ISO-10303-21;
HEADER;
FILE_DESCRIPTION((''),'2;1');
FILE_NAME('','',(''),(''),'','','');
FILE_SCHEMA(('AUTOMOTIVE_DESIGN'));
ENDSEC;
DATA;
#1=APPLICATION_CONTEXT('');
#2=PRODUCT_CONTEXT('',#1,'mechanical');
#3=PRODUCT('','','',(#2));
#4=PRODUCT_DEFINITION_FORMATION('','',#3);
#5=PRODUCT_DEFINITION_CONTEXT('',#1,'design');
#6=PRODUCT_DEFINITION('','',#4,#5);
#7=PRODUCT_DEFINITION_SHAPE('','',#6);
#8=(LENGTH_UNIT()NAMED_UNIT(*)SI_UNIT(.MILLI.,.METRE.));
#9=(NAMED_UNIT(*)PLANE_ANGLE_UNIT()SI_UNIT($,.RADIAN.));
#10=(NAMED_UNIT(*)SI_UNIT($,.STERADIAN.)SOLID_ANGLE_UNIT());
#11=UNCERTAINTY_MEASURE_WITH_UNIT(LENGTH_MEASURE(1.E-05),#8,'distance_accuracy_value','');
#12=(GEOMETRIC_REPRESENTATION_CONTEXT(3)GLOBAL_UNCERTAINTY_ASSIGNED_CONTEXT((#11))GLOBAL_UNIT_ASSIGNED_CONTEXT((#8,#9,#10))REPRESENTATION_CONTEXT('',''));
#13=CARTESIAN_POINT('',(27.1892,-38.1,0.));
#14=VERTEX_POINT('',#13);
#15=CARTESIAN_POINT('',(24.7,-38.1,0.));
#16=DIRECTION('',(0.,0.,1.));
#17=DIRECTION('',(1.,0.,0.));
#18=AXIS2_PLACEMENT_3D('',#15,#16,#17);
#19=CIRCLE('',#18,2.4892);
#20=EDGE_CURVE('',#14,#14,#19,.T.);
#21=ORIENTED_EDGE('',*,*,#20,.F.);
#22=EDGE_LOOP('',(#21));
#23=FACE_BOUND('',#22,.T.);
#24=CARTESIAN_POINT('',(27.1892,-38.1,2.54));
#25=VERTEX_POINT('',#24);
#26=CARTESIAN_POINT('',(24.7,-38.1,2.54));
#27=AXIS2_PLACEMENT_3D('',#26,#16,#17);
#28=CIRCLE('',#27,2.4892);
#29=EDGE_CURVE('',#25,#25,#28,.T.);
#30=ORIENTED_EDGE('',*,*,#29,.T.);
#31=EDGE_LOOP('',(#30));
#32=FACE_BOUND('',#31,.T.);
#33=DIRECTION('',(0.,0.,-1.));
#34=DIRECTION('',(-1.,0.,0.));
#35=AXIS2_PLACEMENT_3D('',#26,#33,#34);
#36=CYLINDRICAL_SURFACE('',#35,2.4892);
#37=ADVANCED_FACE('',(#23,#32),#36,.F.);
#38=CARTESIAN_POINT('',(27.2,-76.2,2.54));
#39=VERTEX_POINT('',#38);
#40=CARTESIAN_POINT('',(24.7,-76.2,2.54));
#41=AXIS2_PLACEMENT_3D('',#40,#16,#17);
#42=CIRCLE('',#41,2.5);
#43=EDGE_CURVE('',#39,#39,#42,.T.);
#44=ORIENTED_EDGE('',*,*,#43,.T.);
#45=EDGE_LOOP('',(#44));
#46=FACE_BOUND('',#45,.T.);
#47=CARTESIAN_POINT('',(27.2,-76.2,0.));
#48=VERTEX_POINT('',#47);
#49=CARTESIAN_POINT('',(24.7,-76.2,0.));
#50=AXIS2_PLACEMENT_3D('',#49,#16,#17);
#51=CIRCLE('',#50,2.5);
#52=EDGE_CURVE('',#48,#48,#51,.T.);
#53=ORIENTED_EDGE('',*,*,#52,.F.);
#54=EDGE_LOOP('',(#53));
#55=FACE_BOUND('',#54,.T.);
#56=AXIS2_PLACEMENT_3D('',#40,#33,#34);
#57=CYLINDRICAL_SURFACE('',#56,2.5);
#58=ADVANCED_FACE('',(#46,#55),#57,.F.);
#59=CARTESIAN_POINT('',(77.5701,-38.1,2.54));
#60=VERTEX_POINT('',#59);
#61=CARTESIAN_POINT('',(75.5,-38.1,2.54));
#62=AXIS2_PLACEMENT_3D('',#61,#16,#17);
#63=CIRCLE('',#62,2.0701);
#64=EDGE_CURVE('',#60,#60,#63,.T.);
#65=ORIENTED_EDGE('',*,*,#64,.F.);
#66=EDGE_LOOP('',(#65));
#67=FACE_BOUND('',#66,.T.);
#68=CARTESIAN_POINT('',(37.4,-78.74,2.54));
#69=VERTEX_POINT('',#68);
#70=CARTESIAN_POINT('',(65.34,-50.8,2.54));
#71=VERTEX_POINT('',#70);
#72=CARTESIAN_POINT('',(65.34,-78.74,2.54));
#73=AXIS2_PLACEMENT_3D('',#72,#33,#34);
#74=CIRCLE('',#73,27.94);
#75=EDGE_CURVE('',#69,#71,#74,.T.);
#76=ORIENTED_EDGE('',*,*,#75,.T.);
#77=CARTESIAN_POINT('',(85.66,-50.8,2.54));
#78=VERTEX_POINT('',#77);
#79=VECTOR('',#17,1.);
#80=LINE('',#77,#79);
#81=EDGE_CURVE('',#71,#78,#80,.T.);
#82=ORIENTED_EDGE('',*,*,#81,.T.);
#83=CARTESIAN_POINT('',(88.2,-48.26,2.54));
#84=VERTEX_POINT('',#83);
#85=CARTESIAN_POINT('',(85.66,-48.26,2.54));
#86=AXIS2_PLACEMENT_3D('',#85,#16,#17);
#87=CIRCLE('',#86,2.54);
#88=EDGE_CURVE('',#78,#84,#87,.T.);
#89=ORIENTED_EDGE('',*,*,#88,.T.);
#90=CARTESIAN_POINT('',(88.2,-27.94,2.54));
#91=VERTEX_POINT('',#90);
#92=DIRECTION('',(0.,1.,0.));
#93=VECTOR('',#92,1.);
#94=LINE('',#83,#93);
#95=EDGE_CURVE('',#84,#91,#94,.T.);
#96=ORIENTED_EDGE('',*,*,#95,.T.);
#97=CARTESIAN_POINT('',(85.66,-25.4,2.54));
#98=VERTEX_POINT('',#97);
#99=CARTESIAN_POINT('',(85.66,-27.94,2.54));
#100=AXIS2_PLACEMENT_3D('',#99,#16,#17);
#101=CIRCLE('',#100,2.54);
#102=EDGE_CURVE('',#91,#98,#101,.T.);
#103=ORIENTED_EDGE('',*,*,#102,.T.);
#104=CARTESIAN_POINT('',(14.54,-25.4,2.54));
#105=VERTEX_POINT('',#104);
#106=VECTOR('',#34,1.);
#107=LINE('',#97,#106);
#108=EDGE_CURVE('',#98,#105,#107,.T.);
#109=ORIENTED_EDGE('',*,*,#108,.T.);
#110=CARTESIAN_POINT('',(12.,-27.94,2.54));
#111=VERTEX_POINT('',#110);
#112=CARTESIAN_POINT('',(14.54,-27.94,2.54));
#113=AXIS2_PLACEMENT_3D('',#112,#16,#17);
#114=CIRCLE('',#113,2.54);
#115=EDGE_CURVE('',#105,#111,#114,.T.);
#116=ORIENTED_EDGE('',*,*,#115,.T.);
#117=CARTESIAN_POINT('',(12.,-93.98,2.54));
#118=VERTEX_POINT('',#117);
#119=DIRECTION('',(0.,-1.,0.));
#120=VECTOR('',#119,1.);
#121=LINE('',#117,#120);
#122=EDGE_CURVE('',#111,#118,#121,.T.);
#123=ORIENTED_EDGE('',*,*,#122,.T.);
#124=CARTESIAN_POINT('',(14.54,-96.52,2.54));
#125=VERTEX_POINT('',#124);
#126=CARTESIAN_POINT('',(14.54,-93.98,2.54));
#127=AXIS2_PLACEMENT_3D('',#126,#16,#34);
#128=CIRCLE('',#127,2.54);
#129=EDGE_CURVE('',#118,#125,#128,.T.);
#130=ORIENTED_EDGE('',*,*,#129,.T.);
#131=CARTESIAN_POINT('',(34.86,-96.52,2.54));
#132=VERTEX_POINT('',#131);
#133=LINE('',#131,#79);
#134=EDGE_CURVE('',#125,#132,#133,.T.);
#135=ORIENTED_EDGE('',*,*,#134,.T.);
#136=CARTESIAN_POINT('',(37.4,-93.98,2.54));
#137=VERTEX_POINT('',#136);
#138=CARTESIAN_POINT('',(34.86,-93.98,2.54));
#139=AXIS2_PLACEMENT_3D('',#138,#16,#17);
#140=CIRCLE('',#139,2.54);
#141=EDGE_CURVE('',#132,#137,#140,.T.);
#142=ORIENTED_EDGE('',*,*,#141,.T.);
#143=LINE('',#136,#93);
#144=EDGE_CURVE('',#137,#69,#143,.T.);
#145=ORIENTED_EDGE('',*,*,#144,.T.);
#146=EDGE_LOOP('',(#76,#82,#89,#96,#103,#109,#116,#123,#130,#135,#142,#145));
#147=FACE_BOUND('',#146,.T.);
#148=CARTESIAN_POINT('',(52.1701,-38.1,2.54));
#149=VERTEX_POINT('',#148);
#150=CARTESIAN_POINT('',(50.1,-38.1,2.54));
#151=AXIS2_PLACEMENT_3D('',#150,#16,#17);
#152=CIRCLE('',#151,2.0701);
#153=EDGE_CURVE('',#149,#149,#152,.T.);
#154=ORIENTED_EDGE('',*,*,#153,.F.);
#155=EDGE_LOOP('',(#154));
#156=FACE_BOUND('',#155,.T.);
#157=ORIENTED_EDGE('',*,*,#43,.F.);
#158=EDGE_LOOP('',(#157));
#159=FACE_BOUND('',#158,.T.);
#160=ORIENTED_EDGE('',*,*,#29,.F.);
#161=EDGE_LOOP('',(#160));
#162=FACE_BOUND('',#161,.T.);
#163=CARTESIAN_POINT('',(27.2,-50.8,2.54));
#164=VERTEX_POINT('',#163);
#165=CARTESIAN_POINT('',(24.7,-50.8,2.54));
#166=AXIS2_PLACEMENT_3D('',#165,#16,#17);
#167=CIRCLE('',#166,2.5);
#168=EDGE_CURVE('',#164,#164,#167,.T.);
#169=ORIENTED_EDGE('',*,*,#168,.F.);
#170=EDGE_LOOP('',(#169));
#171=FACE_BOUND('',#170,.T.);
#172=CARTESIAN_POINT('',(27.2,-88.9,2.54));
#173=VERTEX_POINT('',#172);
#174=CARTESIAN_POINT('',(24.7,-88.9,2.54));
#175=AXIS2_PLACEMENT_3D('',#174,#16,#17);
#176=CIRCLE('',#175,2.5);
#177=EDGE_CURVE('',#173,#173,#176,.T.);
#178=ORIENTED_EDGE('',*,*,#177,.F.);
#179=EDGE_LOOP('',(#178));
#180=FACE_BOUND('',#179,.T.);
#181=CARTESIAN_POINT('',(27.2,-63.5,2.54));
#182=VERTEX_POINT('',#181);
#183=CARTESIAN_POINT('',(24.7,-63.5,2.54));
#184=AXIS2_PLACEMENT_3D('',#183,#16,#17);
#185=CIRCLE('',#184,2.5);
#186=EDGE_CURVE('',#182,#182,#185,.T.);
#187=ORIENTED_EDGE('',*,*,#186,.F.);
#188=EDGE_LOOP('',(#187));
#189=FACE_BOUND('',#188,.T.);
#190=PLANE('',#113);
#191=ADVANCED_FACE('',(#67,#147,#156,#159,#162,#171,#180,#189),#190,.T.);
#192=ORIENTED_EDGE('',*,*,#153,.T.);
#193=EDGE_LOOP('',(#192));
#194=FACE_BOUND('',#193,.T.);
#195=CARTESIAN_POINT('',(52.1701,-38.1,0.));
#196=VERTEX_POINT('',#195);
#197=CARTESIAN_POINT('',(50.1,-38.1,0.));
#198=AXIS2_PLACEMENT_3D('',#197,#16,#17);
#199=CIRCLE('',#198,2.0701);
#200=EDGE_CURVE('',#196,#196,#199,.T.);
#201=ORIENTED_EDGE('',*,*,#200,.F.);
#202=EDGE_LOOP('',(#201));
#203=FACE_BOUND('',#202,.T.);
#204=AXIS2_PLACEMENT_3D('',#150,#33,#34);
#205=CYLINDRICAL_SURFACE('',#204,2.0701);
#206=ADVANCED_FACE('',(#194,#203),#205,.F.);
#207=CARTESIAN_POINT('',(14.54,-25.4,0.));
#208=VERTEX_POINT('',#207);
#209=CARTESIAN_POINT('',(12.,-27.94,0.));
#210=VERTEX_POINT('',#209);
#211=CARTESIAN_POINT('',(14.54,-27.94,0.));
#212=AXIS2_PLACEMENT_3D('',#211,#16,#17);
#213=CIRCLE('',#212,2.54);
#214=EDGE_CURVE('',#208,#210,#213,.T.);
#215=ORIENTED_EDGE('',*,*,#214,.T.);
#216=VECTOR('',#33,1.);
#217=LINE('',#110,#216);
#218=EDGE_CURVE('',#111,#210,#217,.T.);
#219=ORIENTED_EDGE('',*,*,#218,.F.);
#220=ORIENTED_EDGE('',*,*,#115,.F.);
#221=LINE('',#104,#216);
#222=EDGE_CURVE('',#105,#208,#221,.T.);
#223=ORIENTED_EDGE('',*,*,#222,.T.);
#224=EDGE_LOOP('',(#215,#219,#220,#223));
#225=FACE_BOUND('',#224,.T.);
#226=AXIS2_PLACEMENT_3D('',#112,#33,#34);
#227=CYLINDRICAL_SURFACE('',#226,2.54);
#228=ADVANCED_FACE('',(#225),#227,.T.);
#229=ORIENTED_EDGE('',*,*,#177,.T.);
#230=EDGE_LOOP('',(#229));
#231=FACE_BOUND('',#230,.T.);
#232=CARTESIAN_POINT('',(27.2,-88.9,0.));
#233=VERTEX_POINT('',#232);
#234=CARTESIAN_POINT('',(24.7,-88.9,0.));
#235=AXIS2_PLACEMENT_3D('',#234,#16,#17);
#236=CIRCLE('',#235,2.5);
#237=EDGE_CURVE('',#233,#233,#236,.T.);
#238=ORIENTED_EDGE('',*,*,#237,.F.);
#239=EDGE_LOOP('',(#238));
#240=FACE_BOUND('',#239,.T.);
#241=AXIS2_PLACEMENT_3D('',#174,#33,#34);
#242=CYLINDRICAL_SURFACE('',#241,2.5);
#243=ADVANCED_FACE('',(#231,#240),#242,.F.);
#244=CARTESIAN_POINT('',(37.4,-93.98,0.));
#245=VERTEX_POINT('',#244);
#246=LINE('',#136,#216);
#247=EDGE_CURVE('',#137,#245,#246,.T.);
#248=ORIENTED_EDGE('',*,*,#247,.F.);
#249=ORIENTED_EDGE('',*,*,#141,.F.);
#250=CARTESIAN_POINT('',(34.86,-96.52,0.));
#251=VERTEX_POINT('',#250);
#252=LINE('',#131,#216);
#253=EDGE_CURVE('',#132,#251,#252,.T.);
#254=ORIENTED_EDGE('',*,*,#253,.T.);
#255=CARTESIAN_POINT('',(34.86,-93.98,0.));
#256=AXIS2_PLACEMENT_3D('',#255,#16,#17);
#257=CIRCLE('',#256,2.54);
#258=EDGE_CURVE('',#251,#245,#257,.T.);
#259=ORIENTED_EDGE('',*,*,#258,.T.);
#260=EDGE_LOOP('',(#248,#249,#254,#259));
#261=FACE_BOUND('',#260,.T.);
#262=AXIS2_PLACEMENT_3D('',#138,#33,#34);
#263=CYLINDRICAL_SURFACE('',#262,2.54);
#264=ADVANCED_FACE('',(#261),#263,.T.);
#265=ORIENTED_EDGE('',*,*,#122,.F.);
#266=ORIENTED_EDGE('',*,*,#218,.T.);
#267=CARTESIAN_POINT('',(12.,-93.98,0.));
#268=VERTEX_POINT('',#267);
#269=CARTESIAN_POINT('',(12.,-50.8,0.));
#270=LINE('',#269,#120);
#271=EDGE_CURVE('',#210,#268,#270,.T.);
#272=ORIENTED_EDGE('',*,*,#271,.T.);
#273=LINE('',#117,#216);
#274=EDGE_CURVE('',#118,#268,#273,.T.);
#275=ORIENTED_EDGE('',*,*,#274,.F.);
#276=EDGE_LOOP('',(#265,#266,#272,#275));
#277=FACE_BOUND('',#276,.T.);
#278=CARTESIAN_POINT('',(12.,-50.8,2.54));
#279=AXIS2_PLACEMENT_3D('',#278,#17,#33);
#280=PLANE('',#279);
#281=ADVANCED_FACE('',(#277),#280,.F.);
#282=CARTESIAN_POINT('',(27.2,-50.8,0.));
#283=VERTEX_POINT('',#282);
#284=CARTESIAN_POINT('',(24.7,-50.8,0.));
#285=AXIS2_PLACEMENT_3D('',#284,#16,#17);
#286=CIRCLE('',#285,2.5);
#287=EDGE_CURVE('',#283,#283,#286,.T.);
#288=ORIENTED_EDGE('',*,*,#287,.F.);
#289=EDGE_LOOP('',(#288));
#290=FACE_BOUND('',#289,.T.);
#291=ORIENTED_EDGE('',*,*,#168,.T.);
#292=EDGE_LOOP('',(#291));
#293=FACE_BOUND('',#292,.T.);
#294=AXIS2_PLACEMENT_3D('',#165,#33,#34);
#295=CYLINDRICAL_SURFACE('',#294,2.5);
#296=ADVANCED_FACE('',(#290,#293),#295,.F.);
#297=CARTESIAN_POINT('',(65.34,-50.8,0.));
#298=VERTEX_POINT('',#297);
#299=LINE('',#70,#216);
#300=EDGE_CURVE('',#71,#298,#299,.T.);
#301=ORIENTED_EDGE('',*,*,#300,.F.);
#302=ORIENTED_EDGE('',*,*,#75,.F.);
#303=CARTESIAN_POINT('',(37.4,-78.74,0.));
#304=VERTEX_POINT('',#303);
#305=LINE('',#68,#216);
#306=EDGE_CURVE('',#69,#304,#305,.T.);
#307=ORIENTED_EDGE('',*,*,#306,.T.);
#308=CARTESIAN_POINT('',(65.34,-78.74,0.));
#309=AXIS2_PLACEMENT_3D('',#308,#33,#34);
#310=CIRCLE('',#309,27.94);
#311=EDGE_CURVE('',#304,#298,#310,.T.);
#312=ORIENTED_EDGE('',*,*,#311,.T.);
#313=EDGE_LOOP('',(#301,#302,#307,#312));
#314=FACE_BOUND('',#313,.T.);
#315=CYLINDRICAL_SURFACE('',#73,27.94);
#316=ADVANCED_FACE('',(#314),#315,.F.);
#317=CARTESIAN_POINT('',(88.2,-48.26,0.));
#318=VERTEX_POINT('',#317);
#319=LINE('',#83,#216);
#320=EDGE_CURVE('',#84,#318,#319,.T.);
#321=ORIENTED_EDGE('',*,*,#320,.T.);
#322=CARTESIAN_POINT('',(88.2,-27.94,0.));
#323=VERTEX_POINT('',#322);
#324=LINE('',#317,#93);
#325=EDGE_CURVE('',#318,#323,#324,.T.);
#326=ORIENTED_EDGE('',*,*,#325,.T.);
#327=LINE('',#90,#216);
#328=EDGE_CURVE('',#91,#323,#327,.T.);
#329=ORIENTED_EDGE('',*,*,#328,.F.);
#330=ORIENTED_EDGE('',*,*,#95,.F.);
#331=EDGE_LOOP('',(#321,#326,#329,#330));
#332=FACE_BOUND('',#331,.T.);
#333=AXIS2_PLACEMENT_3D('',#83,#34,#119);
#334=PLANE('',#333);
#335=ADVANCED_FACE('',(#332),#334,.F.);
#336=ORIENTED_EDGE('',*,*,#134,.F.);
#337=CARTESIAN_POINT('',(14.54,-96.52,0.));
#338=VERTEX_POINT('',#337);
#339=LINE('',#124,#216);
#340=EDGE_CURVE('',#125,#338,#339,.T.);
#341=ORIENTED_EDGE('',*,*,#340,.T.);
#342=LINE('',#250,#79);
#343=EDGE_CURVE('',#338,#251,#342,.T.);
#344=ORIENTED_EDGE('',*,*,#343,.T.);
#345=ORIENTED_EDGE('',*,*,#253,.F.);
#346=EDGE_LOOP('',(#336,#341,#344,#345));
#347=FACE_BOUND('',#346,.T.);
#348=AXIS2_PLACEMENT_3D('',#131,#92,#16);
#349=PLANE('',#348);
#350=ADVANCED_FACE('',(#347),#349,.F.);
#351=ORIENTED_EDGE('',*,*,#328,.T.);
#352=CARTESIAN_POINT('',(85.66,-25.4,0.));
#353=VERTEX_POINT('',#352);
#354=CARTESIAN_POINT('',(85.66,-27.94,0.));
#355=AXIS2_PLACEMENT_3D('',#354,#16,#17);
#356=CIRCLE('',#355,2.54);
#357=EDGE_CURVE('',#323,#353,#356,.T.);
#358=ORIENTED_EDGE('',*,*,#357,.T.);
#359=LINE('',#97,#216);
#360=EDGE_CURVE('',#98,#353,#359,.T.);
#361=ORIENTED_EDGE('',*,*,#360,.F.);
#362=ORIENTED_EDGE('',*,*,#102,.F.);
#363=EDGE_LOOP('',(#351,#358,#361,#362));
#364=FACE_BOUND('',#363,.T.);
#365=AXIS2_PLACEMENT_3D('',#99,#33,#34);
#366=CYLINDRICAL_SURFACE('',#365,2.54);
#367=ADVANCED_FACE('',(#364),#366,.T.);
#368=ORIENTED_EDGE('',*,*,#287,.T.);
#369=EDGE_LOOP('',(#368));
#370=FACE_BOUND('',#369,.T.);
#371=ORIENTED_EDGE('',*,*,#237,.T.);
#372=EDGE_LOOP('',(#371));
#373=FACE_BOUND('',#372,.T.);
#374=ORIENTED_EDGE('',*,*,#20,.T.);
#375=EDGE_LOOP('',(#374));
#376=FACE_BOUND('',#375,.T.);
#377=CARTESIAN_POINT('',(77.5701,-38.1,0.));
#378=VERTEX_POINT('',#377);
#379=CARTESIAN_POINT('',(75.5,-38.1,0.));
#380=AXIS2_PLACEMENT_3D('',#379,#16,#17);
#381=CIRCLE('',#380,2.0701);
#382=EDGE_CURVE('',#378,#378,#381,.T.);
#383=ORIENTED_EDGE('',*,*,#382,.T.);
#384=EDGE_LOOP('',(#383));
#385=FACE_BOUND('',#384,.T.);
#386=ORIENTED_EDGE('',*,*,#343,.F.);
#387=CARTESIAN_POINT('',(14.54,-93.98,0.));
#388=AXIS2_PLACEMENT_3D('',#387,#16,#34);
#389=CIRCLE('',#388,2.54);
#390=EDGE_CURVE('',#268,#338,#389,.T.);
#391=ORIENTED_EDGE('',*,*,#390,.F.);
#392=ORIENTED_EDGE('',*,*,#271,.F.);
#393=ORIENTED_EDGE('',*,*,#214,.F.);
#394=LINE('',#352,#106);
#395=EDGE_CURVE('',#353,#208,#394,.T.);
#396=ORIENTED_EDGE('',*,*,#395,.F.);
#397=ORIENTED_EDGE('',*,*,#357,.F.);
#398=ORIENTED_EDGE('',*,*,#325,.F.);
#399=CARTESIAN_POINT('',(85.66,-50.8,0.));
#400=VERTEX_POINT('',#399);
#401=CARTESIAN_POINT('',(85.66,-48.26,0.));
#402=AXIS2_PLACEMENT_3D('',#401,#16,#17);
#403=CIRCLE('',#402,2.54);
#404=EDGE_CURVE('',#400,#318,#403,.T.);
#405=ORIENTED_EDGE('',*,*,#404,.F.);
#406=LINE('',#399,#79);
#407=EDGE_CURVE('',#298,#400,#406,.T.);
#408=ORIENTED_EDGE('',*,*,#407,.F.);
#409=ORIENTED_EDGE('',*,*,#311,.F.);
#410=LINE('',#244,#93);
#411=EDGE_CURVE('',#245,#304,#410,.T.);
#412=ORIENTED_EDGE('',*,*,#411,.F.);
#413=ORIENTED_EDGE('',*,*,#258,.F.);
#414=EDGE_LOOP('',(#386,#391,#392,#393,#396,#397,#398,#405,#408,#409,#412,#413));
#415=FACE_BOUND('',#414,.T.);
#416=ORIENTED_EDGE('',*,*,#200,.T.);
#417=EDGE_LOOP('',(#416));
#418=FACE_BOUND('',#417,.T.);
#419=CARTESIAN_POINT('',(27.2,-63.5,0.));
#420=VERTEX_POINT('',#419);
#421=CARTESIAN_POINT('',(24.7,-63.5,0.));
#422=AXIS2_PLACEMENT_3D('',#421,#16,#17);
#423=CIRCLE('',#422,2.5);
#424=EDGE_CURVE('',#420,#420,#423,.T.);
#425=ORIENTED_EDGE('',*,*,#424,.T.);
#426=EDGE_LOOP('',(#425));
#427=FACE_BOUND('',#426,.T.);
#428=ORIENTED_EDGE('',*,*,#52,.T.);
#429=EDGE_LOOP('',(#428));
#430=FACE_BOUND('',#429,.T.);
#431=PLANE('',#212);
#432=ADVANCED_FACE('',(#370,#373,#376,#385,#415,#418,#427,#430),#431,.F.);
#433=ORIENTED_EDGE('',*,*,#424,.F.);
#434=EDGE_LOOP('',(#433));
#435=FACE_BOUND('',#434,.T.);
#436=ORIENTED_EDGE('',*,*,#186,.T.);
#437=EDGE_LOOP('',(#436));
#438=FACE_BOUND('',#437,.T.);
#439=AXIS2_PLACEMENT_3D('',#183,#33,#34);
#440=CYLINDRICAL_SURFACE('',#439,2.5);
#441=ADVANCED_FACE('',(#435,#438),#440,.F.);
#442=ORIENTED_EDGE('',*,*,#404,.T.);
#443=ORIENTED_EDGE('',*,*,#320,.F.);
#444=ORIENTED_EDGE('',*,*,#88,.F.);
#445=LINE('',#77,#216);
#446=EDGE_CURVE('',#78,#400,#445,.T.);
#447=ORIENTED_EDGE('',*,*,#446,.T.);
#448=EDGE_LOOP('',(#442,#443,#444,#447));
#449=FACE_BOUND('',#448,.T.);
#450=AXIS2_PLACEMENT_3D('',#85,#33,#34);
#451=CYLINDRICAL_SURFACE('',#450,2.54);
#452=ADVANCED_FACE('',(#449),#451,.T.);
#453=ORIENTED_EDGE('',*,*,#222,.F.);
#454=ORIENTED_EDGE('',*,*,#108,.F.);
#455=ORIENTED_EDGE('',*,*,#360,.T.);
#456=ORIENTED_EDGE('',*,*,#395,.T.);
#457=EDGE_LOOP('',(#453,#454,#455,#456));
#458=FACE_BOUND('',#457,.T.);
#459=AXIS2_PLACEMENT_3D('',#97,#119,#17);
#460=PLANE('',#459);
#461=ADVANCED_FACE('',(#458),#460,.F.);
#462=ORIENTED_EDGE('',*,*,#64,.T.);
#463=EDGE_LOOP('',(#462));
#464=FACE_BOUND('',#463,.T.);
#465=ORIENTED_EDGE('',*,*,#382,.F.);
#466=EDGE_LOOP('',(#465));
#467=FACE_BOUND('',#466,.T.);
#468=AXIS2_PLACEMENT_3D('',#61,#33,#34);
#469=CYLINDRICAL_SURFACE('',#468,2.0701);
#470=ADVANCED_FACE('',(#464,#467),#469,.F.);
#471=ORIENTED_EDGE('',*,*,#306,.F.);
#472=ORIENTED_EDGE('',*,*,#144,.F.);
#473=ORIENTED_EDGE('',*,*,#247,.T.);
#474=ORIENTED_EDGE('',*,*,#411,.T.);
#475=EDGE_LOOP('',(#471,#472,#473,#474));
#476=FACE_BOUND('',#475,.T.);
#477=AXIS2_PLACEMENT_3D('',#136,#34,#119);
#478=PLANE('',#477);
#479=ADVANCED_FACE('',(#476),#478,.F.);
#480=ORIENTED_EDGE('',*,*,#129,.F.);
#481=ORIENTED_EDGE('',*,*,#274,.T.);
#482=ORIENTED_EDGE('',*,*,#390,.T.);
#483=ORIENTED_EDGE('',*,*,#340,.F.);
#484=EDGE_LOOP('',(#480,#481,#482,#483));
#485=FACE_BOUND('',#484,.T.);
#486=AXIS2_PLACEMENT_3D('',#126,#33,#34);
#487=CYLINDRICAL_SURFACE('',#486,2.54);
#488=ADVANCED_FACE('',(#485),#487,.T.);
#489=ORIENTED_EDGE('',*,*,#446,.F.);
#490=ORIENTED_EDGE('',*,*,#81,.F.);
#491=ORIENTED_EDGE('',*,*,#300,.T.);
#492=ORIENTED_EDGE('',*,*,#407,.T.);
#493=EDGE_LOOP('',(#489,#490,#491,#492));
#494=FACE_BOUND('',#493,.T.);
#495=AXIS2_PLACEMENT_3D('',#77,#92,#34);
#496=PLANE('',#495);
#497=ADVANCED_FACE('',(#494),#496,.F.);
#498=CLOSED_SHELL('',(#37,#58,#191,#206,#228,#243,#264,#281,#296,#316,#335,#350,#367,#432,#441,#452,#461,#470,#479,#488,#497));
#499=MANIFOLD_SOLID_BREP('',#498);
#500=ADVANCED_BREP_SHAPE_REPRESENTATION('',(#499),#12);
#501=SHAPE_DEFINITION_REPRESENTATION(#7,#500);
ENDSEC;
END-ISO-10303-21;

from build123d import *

# Parameters (mm, degrees)
SKETCH1_R           = 2.5
SKETCH1_R_2         = 2.4892
SKETCH1_R_3         = 2.0701
BOSS_EXTRUDE1_DEPTH = 2.54


with BuildPart() as part:
    # Sketch1 → Boss-Extrude1 (new body)
    with BuildSketch(Plane.XY):
        with BuildLine():
            Line((85.66, -50.8), (65.34, -50.8))
            ThreePointArc((65.34, -50.8), (45.583436534, -58.983436534), (37.4, -78.74))
            Line((37.4, -78.74), (37.4, -93.98))
            ThreePointArc((37.4, -93.98), (36.656051224, -95.776051224), (34.86, -96.52))
            Line((34.86, -96.52), (14.54, -96.52))
            ThreePointArc((14.54, -96.52), (12.743948776, -95.776051224), (12, -93.98))
            Line((12, -93.98), (12, -50.8))
            Line((12, -50.8), (12, -27.94))
            ThreePointArc((12, -27.94), (12.743948776, -26.143948776), (14.54, -25.4))
            Line((14.54, -25.4), (85.66, -25.4))
            ThreePointArc((85.66, -25.4), (87.456051224, -26.143948776), (88.2, -27.94))
            Line((88.2, -27.94), (88.2, -48.26))
            ThreePointArc((88.2, -48.26), (87.456051224, -50.056051224), (85.66, -50.8))
        make_face()
        with Locations((24.7, -88.9)):
            Circle(SKETCH1_R, mode=Mode.SUBTRACT)
        with Locations((24.7, -76.2)):
            Circle(SKETCH1_R, mode=Mode.SUBTRACT)
        with Locations((24.7, -63.5)):
            Circle(SKETCH1_R, mode=Mode.SUBTRACT)
        with Locations((24.7, -50.8)):
            Circle(SKETCH1_R, mode=Mode.SUBTRACT)
        with Locations((24.7, -38.1)):
            Circle(SKETCH1_R_2, mode=Mode.SUBTRACT)
        with Locations((50.1, -38.1)):
            Circle(SKETCH1_R_3, mode=Mode.SUBTRACT)
        with Locations((75.5, -38.1)):
            Circle(SKETCH1_R_3, mode=Mode.SUBTRACT)
    extrude(amount=BOSS_EXTRUDE1_DEPTH)


solid = part.part
